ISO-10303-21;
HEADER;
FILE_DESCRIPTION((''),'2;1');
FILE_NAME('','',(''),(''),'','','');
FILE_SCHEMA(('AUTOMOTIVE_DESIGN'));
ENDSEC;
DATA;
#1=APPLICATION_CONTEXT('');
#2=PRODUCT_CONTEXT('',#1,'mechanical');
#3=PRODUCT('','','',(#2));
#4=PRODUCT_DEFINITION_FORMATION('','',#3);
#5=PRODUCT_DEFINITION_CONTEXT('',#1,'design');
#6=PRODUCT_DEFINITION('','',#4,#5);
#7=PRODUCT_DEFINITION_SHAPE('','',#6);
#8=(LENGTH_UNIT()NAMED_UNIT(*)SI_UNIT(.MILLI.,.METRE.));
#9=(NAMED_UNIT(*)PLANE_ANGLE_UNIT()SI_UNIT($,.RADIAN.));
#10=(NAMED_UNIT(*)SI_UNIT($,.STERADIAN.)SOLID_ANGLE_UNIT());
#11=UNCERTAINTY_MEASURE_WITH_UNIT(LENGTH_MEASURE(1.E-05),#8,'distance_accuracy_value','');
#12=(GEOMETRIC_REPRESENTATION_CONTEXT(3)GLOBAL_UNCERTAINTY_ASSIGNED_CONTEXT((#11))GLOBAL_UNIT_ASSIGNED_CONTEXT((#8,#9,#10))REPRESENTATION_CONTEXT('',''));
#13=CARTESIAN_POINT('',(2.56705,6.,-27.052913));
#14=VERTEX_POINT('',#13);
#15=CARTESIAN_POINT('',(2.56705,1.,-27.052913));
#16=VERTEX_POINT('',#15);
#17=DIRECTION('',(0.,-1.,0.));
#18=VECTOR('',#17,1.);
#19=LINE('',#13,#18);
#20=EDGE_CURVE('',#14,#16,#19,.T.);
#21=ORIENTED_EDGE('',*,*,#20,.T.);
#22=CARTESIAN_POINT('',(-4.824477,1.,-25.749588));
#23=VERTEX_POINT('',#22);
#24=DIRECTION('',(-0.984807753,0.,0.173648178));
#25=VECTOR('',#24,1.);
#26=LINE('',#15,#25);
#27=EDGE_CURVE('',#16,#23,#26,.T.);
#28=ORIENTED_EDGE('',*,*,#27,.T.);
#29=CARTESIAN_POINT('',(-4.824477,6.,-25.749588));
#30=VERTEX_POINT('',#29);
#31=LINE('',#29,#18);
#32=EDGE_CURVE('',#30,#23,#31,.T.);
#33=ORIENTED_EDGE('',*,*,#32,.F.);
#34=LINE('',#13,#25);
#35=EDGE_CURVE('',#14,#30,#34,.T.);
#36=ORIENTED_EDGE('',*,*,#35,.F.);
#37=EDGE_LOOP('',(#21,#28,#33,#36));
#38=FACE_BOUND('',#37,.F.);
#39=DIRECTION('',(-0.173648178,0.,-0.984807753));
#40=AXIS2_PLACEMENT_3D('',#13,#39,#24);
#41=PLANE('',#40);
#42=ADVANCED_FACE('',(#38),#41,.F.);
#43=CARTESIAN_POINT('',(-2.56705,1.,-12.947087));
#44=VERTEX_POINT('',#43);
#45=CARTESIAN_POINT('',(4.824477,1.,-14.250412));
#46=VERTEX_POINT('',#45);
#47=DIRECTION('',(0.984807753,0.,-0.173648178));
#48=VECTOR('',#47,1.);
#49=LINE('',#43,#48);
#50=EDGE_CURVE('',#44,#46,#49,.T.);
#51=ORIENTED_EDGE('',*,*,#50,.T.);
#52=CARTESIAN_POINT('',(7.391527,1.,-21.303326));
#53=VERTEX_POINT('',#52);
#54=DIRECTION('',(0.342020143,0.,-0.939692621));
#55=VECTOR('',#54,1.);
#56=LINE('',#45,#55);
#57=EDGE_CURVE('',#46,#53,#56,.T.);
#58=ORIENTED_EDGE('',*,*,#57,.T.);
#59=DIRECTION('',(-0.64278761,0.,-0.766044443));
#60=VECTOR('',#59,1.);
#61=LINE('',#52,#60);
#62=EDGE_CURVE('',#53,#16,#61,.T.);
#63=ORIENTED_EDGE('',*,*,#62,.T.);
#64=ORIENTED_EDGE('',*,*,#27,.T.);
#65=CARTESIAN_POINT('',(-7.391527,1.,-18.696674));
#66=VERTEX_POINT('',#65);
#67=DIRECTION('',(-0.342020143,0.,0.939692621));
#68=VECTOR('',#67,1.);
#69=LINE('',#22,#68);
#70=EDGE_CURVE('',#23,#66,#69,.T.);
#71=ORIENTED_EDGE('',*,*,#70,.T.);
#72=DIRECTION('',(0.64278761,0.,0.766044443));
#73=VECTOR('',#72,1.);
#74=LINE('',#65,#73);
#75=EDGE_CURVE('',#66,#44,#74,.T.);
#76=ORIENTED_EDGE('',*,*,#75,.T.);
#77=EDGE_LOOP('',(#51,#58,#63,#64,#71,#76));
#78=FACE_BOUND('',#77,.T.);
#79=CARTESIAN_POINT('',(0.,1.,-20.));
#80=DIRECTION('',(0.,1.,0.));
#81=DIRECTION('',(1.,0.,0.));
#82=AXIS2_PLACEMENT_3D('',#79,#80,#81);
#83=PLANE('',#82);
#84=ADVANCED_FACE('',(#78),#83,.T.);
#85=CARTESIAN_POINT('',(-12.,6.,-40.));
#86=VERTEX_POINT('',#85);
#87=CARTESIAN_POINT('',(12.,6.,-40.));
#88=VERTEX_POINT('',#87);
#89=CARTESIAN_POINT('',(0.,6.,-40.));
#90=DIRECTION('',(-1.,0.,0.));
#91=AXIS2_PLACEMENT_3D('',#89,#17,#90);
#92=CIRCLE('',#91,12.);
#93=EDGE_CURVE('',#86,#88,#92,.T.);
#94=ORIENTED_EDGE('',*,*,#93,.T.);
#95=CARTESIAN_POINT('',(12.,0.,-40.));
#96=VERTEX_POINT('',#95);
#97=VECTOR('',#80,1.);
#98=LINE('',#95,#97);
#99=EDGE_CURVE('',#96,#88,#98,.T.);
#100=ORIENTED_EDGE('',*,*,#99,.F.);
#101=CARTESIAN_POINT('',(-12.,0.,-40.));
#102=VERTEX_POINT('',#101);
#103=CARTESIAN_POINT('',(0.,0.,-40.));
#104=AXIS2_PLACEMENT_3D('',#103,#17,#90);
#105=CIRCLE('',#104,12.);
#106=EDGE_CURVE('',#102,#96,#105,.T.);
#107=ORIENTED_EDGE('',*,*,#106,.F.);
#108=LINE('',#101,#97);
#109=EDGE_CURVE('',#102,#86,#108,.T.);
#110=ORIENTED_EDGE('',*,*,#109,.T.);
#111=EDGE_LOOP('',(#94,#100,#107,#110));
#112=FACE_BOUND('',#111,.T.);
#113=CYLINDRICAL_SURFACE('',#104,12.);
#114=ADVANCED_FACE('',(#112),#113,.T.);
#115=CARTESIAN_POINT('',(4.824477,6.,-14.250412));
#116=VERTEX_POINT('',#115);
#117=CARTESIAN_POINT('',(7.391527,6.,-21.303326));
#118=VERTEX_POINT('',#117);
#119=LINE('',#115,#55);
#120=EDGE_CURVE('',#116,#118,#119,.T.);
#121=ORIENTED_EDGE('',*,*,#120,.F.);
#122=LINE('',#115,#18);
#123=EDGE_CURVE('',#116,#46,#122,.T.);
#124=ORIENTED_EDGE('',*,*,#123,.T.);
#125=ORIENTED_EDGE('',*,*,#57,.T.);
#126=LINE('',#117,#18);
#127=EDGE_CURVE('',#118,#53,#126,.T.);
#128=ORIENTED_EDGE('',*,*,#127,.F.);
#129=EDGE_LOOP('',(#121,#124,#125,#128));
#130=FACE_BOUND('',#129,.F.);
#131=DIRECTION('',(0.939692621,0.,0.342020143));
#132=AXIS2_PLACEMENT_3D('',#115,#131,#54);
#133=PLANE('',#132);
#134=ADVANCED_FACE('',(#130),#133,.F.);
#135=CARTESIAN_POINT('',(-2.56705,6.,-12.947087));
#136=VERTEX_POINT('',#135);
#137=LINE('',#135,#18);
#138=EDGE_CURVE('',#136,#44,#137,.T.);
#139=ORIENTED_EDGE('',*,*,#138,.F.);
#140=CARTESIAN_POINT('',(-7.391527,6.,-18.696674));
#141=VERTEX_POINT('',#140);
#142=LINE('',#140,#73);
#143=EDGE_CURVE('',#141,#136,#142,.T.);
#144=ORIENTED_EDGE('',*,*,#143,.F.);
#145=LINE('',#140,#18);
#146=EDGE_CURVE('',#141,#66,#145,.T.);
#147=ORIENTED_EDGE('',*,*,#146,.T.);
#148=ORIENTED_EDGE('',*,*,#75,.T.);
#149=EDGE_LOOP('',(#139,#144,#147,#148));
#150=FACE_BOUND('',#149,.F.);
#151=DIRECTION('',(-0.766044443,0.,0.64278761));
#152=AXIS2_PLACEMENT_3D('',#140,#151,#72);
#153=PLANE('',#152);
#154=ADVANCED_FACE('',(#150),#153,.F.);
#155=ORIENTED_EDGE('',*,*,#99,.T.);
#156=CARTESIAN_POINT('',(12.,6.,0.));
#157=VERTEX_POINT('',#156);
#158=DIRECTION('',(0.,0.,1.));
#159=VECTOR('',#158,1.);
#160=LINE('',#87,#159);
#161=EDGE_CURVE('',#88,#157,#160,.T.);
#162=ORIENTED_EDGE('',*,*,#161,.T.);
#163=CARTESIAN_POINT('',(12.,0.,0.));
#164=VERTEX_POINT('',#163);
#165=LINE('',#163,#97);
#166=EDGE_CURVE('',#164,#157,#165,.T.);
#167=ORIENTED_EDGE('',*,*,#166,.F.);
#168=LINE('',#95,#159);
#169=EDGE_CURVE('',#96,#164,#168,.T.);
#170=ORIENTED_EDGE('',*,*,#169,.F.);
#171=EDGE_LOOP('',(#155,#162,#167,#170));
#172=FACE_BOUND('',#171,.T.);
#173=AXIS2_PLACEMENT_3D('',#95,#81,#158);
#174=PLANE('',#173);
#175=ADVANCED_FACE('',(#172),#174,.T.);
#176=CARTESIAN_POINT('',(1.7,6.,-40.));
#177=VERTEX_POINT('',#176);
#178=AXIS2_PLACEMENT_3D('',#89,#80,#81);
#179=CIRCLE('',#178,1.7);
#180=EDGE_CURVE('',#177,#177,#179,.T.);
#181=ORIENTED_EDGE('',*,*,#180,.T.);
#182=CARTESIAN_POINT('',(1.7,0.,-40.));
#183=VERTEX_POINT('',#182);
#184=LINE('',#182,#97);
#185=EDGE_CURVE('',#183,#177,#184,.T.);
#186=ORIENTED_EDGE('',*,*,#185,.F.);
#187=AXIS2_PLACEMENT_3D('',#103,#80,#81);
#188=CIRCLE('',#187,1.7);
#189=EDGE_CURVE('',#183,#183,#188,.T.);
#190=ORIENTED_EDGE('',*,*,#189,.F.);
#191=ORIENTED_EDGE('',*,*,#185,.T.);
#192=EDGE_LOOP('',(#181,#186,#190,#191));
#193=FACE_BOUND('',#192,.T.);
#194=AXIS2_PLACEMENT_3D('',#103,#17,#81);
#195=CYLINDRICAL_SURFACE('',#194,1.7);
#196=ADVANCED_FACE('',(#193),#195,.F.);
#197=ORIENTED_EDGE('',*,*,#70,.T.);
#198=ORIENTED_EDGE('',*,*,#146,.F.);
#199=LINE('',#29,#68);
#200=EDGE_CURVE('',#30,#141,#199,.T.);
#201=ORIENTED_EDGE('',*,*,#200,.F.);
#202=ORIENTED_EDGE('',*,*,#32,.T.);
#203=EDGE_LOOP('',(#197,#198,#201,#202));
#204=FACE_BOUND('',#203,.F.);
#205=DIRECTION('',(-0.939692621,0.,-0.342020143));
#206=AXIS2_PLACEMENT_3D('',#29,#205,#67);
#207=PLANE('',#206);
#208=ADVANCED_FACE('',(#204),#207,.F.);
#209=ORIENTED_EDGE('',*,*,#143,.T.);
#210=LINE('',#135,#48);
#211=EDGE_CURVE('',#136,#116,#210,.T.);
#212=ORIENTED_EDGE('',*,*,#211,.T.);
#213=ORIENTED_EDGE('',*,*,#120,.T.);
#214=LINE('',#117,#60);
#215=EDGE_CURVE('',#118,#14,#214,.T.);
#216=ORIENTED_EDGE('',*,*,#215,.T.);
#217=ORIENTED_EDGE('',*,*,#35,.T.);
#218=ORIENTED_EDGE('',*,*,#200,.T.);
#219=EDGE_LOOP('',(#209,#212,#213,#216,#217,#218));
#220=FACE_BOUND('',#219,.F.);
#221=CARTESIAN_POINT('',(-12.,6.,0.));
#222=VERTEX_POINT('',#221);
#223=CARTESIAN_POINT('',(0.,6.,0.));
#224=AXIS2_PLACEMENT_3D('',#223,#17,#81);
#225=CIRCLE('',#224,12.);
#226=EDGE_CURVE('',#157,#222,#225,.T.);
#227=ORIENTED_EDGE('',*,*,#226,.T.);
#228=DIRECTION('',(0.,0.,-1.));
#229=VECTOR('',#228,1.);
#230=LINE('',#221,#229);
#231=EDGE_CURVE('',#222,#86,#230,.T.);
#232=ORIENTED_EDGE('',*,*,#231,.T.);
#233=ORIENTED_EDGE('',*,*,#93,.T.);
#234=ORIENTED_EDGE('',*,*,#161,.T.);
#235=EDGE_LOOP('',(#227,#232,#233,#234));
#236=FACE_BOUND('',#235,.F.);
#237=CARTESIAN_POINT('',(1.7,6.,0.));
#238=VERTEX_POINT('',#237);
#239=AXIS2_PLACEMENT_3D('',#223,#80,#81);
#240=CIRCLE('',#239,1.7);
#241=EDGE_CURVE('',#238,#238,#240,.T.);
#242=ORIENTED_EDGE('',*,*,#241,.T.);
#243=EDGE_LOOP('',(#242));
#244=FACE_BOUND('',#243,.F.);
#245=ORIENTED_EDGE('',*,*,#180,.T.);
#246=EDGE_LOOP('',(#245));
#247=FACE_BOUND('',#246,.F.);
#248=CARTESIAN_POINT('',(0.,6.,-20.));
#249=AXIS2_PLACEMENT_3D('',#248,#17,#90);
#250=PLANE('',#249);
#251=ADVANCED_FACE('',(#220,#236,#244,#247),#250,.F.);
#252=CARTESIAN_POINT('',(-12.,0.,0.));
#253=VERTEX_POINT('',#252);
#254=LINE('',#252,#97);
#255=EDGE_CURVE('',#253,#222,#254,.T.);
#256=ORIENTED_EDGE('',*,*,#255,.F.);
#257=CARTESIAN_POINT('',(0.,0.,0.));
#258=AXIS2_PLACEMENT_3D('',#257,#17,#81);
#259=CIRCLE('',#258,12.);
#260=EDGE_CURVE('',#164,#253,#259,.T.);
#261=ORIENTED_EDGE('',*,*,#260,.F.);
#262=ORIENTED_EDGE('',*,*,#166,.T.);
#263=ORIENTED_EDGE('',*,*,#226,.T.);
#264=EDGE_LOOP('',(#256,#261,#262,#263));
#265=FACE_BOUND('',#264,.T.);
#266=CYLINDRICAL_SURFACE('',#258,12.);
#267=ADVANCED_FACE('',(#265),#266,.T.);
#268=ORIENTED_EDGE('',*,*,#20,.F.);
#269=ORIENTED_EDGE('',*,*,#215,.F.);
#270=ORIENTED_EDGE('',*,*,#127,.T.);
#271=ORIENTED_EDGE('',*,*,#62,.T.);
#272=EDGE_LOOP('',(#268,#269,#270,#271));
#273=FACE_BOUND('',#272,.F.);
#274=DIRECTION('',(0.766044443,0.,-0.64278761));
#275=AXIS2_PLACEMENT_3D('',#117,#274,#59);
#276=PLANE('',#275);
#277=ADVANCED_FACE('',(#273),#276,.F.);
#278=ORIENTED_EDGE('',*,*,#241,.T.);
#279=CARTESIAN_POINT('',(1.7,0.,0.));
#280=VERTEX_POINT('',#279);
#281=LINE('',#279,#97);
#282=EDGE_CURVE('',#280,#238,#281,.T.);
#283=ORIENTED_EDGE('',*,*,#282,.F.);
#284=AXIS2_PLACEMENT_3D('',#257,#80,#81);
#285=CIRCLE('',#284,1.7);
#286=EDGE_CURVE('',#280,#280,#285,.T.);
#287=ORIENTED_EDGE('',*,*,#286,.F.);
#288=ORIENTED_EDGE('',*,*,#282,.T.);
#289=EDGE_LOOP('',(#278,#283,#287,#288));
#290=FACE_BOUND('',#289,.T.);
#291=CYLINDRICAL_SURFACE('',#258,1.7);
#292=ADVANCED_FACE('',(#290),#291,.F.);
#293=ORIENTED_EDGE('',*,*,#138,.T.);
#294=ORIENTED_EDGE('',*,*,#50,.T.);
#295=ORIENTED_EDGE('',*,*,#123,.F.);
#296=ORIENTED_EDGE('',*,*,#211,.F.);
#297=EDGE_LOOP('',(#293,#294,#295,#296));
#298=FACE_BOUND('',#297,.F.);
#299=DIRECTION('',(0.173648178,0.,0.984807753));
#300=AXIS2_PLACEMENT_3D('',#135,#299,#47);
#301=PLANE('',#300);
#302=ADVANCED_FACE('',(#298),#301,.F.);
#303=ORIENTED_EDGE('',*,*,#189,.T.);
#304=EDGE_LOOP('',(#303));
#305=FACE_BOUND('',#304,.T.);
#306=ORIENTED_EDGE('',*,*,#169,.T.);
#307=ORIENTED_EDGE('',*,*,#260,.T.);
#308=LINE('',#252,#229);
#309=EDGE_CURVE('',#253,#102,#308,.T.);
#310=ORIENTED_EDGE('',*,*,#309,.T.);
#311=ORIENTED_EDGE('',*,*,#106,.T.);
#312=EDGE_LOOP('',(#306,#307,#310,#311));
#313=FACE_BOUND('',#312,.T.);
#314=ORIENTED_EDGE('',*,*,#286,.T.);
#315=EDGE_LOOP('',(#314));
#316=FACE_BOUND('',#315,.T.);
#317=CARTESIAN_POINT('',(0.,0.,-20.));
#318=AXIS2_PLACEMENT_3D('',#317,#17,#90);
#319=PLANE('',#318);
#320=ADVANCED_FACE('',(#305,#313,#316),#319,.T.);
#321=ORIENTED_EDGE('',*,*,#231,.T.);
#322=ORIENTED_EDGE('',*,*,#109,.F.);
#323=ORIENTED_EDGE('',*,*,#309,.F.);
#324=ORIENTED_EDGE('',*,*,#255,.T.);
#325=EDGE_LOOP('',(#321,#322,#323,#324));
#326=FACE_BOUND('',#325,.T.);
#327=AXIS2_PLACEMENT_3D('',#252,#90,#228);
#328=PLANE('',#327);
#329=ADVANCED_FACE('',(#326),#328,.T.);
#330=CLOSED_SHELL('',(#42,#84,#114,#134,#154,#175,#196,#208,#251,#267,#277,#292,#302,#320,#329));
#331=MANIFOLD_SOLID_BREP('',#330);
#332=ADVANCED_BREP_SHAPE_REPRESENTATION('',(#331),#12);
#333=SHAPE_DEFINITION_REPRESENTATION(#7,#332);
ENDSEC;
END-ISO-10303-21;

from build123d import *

# Parameters (mm, degrees)
SKETCH1_R           = 1.7
BOSS_EXTRUDE1_DEPTH = 6
CUT_EXTRUDE1_DEPTH  = 5


with BuildPart() as part:
    # Sketch1 → Boss-Extrude1 (new body)
    with BuildSketch(Plane(origin=(0, 0, 0), x_dir=(1, 0, 0), z_dir=(0, 1, 0))):
        with BuildLine():
            Line((-12, 0), (-12, 40))
            ThreePointArc((-12, 40), (0, 52), (12, 40))
            Line((12, 40), (12, 0))
            ThreePointArc((12, 0), (0, -12), (-12, 0))
        make_face()
        with Locations((0, 40)):
            Circle(SKETCH1_R, mode=Mode.SUBTRACT)
        Circle(SKETCH1_R, mode=Mode.SUBTRACT)
    extrude(amount=BOSS_EXTRUDE1_DEPTH)

    # Sketch2 → Cut-Extrude1 (cut)
    with BuildSketch(Plane(origin=(0, 6, 0), x_dir=(1, 0, 0), z_dir=(0, 1, 0))):
        Polygon((4.824476793, 14.250412449), (7.391527277, 21.303325688), (2.567050484, 27.052913238), (-4.824476793, 25.749587551), (-7.391527277, 18.696674312), (-2.567050484, 12.947086762), align=None)
    extrude(amount=-CUT_EXTRUDE1_DEPTH, mode=Mode.SUBTRACT)


solid = part.part
